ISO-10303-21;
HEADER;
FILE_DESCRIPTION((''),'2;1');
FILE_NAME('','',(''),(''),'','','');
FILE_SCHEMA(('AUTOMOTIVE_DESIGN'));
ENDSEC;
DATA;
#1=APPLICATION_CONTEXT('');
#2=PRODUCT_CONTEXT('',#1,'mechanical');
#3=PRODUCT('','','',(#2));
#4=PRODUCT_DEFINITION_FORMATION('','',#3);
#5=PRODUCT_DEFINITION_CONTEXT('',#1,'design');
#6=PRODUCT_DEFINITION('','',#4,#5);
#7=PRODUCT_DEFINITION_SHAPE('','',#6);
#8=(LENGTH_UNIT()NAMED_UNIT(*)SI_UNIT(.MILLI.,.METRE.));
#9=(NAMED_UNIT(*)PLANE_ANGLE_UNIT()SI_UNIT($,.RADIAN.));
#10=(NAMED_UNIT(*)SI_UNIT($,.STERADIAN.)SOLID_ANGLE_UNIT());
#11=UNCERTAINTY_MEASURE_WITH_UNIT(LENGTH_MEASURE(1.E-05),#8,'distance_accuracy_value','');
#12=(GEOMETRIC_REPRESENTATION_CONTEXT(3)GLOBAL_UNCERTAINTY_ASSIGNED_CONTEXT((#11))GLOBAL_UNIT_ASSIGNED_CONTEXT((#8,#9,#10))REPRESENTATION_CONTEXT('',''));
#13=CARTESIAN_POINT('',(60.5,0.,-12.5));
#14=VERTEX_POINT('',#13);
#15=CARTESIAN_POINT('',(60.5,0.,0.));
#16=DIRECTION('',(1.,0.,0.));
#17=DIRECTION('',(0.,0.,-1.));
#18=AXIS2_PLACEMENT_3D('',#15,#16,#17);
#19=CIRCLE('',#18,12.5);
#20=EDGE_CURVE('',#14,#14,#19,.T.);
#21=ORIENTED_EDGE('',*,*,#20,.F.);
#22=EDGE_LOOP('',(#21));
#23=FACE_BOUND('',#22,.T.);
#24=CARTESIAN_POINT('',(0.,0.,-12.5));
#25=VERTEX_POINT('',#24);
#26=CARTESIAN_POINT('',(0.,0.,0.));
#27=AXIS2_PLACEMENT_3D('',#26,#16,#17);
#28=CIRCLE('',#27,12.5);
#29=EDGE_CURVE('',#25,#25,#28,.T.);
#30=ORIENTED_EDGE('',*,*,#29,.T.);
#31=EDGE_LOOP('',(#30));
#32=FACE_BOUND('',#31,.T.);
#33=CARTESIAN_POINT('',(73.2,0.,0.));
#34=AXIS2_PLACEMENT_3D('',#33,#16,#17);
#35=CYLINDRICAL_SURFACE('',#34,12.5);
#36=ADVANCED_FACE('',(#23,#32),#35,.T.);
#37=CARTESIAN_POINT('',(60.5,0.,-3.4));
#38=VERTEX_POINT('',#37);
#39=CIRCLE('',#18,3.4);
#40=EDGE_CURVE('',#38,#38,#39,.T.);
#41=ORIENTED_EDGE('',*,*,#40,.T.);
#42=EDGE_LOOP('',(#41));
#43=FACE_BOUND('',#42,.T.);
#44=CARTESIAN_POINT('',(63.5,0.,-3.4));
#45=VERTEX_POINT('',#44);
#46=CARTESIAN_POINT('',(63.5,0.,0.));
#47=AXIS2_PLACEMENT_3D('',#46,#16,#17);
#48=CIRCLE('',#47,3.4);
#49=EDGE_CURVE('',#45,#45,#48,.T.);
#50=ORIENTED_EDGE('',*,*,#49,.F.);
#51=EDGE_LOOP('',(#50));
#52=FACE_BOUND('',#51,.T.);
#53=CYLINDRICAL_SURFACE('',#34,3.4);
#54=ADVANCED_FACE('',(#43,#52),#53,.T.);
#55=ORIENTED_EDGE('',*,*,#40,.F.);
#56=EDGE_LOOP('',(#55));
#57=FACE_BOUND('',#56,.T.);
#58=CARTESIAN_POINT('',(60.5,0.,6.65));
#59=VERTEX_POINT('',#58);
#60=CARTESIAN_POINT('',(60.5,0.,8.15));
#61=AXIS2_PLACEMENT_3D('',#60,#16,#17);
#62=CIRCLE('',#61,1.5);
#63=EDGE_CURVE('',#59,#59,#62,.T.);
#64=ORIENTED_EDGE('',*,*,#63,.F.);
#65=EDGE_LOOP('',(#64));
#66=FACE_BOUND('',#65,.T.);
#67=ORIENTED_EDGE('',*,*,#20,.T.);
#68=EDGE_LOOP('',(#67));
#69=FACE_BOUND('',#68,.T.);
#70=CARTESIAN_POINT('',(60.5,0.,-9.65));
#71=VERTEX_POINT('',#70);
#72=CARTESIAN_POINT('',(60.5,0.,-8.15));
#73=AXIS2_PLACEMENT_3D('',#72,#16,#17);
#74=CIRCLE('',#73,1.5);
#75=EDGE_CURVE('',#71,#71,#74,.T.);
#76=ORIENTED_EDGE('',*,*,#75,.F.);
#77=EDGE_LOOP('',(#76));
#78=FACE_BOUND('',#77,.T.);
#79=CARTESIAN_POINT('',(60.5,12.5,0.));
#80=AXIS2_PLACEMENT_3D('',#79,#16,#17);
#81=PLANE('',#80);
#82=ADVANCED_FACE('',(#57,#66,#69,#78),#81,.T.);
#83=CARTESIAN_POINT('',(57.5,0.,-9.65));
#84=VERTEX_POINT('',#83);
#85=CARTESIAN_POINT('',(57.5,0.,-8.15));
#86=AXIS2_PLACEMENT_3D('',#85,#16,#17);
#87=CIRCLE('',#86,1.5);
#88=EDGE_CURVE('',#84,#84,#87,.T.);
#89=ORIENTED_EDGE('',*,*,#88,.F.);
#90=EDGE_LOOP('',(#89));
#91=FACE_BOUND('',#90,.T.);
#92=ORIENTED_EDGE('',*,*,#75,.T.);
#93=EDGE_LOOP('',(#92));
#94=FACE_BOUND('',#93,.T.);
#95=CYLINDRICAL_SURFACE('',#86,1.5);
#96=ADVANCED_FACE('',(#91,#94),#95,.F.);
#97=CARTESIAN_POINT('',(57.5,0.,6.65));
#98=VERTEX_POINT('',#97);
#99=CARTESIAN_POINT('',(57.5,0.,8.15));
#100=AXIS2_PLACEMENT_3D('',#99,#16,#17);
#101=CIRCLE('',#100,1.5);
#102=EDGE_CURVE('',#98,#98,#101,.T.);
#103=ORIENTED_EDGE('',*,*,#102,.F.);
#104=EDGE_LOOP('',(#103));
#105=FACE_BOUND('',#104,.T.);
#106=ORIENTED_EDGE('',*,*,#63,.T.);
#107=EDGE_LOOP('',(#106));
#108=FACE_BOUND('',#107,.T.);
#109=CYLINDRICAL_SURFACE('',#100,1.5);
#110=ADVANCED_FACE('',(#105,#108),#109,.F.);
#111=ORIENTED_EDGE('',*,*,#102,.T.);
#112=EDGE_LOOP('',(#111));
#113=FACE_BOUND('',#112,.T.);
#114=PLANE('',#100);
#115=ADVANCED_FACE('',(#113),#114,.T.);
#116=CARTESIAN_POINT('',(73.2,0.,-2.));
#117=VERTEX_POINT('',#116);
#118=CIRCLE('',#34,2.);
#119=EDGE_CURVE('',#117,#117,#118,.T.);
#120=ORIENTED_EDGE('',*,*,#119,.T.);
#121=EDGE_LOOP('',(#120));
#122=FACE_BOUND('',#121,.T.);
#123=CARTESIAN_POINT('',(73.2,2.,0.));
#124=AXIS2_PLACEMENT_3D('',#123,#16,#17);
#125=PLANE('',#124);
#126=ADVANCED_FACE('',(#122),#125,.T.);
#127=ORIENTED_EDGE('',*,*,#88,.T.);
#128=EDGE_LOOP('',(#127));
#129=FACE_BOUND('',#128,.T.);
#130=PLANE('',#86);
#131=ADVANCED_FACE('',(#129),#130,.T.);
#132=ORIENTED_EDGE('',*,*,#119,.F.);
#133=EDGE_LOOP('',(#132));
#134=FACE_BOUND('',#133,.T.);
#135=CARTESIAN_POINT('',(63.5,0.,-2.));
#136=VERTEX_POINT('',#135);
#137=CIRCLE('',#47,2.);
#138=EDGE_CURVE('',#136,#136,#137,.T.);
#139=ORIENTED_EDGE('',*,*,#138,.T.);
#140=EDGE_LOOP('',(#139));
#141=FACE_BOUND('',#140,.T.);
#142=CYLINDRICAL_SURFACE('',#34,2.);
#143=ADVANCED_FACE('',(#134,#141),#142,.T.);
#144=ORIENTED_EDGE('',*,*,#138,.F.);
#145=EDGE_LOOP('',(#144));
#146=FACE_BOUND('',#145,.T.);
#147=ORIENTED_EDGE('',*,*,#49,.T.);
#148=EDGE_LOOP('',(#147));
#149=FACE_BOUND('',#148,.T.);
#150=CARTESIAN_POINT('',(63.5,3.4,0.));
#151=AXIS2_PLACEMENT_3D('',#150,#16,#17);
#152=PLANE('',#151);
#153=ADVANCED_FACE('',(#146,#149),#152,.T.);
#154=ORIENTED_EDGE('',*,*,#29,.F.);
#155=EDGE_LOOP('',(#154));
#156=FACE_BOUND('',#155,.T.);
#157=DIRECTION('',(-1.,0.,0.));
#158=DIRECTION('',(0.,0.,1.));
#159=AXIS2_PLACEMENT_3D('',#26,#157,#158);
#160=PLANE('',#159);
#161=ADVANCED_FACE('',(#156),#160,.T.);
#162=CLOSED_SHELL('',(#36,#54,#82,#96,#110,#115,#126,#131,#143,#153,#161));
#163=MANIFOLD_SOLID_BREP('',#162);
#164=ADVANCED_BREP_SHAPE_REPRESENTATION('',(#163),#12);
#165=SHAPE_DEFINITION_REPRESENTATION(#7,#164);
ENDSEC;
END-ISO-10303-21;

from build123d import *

# Parameters (mm, degrees)
SKETCH3_R          = 1.5
CUT_EXTRUDE1_DEPTH = 3


with BuildPart() as part:
    # Sketch2 → Revolve1 (revolve)
    with BuildSketch(Plane.XY, mode=Mode.PRIVATE) as revolve1_sk:
        Polygon((0, 0), (0, 12.5), (60.5, 12.5), (60.5, 3.400000058), (63.5, 3.400000058), (63.5, 2), (73.2, 2), (73.2, 0), align=None)
    revolve(revolve1_sk.sketch.rotate(Axis((73.2, 0, 0), (-1, 0, 0)), 90), axis=Axis((73.2, 0, 0), (-1, 0, 0)))

    # Sketch3 → Cut-Extrude1 (cut)
    with BuildSketch(Plane(origin=(60.5, 0, 0), x_dir=(0, 0, -1), z_dir=(1, 0, 0))):
        with Locations((8.15, 0)):
            Circle(SKETCH3_R)
        with Locations((-8.15, 0)):
            Circle(SKETCH3_R)
    extrude(amount=-CUT_EXTRUDE1_DEPTH, mode=Mode.SUBTRACT)


solid = part.part
